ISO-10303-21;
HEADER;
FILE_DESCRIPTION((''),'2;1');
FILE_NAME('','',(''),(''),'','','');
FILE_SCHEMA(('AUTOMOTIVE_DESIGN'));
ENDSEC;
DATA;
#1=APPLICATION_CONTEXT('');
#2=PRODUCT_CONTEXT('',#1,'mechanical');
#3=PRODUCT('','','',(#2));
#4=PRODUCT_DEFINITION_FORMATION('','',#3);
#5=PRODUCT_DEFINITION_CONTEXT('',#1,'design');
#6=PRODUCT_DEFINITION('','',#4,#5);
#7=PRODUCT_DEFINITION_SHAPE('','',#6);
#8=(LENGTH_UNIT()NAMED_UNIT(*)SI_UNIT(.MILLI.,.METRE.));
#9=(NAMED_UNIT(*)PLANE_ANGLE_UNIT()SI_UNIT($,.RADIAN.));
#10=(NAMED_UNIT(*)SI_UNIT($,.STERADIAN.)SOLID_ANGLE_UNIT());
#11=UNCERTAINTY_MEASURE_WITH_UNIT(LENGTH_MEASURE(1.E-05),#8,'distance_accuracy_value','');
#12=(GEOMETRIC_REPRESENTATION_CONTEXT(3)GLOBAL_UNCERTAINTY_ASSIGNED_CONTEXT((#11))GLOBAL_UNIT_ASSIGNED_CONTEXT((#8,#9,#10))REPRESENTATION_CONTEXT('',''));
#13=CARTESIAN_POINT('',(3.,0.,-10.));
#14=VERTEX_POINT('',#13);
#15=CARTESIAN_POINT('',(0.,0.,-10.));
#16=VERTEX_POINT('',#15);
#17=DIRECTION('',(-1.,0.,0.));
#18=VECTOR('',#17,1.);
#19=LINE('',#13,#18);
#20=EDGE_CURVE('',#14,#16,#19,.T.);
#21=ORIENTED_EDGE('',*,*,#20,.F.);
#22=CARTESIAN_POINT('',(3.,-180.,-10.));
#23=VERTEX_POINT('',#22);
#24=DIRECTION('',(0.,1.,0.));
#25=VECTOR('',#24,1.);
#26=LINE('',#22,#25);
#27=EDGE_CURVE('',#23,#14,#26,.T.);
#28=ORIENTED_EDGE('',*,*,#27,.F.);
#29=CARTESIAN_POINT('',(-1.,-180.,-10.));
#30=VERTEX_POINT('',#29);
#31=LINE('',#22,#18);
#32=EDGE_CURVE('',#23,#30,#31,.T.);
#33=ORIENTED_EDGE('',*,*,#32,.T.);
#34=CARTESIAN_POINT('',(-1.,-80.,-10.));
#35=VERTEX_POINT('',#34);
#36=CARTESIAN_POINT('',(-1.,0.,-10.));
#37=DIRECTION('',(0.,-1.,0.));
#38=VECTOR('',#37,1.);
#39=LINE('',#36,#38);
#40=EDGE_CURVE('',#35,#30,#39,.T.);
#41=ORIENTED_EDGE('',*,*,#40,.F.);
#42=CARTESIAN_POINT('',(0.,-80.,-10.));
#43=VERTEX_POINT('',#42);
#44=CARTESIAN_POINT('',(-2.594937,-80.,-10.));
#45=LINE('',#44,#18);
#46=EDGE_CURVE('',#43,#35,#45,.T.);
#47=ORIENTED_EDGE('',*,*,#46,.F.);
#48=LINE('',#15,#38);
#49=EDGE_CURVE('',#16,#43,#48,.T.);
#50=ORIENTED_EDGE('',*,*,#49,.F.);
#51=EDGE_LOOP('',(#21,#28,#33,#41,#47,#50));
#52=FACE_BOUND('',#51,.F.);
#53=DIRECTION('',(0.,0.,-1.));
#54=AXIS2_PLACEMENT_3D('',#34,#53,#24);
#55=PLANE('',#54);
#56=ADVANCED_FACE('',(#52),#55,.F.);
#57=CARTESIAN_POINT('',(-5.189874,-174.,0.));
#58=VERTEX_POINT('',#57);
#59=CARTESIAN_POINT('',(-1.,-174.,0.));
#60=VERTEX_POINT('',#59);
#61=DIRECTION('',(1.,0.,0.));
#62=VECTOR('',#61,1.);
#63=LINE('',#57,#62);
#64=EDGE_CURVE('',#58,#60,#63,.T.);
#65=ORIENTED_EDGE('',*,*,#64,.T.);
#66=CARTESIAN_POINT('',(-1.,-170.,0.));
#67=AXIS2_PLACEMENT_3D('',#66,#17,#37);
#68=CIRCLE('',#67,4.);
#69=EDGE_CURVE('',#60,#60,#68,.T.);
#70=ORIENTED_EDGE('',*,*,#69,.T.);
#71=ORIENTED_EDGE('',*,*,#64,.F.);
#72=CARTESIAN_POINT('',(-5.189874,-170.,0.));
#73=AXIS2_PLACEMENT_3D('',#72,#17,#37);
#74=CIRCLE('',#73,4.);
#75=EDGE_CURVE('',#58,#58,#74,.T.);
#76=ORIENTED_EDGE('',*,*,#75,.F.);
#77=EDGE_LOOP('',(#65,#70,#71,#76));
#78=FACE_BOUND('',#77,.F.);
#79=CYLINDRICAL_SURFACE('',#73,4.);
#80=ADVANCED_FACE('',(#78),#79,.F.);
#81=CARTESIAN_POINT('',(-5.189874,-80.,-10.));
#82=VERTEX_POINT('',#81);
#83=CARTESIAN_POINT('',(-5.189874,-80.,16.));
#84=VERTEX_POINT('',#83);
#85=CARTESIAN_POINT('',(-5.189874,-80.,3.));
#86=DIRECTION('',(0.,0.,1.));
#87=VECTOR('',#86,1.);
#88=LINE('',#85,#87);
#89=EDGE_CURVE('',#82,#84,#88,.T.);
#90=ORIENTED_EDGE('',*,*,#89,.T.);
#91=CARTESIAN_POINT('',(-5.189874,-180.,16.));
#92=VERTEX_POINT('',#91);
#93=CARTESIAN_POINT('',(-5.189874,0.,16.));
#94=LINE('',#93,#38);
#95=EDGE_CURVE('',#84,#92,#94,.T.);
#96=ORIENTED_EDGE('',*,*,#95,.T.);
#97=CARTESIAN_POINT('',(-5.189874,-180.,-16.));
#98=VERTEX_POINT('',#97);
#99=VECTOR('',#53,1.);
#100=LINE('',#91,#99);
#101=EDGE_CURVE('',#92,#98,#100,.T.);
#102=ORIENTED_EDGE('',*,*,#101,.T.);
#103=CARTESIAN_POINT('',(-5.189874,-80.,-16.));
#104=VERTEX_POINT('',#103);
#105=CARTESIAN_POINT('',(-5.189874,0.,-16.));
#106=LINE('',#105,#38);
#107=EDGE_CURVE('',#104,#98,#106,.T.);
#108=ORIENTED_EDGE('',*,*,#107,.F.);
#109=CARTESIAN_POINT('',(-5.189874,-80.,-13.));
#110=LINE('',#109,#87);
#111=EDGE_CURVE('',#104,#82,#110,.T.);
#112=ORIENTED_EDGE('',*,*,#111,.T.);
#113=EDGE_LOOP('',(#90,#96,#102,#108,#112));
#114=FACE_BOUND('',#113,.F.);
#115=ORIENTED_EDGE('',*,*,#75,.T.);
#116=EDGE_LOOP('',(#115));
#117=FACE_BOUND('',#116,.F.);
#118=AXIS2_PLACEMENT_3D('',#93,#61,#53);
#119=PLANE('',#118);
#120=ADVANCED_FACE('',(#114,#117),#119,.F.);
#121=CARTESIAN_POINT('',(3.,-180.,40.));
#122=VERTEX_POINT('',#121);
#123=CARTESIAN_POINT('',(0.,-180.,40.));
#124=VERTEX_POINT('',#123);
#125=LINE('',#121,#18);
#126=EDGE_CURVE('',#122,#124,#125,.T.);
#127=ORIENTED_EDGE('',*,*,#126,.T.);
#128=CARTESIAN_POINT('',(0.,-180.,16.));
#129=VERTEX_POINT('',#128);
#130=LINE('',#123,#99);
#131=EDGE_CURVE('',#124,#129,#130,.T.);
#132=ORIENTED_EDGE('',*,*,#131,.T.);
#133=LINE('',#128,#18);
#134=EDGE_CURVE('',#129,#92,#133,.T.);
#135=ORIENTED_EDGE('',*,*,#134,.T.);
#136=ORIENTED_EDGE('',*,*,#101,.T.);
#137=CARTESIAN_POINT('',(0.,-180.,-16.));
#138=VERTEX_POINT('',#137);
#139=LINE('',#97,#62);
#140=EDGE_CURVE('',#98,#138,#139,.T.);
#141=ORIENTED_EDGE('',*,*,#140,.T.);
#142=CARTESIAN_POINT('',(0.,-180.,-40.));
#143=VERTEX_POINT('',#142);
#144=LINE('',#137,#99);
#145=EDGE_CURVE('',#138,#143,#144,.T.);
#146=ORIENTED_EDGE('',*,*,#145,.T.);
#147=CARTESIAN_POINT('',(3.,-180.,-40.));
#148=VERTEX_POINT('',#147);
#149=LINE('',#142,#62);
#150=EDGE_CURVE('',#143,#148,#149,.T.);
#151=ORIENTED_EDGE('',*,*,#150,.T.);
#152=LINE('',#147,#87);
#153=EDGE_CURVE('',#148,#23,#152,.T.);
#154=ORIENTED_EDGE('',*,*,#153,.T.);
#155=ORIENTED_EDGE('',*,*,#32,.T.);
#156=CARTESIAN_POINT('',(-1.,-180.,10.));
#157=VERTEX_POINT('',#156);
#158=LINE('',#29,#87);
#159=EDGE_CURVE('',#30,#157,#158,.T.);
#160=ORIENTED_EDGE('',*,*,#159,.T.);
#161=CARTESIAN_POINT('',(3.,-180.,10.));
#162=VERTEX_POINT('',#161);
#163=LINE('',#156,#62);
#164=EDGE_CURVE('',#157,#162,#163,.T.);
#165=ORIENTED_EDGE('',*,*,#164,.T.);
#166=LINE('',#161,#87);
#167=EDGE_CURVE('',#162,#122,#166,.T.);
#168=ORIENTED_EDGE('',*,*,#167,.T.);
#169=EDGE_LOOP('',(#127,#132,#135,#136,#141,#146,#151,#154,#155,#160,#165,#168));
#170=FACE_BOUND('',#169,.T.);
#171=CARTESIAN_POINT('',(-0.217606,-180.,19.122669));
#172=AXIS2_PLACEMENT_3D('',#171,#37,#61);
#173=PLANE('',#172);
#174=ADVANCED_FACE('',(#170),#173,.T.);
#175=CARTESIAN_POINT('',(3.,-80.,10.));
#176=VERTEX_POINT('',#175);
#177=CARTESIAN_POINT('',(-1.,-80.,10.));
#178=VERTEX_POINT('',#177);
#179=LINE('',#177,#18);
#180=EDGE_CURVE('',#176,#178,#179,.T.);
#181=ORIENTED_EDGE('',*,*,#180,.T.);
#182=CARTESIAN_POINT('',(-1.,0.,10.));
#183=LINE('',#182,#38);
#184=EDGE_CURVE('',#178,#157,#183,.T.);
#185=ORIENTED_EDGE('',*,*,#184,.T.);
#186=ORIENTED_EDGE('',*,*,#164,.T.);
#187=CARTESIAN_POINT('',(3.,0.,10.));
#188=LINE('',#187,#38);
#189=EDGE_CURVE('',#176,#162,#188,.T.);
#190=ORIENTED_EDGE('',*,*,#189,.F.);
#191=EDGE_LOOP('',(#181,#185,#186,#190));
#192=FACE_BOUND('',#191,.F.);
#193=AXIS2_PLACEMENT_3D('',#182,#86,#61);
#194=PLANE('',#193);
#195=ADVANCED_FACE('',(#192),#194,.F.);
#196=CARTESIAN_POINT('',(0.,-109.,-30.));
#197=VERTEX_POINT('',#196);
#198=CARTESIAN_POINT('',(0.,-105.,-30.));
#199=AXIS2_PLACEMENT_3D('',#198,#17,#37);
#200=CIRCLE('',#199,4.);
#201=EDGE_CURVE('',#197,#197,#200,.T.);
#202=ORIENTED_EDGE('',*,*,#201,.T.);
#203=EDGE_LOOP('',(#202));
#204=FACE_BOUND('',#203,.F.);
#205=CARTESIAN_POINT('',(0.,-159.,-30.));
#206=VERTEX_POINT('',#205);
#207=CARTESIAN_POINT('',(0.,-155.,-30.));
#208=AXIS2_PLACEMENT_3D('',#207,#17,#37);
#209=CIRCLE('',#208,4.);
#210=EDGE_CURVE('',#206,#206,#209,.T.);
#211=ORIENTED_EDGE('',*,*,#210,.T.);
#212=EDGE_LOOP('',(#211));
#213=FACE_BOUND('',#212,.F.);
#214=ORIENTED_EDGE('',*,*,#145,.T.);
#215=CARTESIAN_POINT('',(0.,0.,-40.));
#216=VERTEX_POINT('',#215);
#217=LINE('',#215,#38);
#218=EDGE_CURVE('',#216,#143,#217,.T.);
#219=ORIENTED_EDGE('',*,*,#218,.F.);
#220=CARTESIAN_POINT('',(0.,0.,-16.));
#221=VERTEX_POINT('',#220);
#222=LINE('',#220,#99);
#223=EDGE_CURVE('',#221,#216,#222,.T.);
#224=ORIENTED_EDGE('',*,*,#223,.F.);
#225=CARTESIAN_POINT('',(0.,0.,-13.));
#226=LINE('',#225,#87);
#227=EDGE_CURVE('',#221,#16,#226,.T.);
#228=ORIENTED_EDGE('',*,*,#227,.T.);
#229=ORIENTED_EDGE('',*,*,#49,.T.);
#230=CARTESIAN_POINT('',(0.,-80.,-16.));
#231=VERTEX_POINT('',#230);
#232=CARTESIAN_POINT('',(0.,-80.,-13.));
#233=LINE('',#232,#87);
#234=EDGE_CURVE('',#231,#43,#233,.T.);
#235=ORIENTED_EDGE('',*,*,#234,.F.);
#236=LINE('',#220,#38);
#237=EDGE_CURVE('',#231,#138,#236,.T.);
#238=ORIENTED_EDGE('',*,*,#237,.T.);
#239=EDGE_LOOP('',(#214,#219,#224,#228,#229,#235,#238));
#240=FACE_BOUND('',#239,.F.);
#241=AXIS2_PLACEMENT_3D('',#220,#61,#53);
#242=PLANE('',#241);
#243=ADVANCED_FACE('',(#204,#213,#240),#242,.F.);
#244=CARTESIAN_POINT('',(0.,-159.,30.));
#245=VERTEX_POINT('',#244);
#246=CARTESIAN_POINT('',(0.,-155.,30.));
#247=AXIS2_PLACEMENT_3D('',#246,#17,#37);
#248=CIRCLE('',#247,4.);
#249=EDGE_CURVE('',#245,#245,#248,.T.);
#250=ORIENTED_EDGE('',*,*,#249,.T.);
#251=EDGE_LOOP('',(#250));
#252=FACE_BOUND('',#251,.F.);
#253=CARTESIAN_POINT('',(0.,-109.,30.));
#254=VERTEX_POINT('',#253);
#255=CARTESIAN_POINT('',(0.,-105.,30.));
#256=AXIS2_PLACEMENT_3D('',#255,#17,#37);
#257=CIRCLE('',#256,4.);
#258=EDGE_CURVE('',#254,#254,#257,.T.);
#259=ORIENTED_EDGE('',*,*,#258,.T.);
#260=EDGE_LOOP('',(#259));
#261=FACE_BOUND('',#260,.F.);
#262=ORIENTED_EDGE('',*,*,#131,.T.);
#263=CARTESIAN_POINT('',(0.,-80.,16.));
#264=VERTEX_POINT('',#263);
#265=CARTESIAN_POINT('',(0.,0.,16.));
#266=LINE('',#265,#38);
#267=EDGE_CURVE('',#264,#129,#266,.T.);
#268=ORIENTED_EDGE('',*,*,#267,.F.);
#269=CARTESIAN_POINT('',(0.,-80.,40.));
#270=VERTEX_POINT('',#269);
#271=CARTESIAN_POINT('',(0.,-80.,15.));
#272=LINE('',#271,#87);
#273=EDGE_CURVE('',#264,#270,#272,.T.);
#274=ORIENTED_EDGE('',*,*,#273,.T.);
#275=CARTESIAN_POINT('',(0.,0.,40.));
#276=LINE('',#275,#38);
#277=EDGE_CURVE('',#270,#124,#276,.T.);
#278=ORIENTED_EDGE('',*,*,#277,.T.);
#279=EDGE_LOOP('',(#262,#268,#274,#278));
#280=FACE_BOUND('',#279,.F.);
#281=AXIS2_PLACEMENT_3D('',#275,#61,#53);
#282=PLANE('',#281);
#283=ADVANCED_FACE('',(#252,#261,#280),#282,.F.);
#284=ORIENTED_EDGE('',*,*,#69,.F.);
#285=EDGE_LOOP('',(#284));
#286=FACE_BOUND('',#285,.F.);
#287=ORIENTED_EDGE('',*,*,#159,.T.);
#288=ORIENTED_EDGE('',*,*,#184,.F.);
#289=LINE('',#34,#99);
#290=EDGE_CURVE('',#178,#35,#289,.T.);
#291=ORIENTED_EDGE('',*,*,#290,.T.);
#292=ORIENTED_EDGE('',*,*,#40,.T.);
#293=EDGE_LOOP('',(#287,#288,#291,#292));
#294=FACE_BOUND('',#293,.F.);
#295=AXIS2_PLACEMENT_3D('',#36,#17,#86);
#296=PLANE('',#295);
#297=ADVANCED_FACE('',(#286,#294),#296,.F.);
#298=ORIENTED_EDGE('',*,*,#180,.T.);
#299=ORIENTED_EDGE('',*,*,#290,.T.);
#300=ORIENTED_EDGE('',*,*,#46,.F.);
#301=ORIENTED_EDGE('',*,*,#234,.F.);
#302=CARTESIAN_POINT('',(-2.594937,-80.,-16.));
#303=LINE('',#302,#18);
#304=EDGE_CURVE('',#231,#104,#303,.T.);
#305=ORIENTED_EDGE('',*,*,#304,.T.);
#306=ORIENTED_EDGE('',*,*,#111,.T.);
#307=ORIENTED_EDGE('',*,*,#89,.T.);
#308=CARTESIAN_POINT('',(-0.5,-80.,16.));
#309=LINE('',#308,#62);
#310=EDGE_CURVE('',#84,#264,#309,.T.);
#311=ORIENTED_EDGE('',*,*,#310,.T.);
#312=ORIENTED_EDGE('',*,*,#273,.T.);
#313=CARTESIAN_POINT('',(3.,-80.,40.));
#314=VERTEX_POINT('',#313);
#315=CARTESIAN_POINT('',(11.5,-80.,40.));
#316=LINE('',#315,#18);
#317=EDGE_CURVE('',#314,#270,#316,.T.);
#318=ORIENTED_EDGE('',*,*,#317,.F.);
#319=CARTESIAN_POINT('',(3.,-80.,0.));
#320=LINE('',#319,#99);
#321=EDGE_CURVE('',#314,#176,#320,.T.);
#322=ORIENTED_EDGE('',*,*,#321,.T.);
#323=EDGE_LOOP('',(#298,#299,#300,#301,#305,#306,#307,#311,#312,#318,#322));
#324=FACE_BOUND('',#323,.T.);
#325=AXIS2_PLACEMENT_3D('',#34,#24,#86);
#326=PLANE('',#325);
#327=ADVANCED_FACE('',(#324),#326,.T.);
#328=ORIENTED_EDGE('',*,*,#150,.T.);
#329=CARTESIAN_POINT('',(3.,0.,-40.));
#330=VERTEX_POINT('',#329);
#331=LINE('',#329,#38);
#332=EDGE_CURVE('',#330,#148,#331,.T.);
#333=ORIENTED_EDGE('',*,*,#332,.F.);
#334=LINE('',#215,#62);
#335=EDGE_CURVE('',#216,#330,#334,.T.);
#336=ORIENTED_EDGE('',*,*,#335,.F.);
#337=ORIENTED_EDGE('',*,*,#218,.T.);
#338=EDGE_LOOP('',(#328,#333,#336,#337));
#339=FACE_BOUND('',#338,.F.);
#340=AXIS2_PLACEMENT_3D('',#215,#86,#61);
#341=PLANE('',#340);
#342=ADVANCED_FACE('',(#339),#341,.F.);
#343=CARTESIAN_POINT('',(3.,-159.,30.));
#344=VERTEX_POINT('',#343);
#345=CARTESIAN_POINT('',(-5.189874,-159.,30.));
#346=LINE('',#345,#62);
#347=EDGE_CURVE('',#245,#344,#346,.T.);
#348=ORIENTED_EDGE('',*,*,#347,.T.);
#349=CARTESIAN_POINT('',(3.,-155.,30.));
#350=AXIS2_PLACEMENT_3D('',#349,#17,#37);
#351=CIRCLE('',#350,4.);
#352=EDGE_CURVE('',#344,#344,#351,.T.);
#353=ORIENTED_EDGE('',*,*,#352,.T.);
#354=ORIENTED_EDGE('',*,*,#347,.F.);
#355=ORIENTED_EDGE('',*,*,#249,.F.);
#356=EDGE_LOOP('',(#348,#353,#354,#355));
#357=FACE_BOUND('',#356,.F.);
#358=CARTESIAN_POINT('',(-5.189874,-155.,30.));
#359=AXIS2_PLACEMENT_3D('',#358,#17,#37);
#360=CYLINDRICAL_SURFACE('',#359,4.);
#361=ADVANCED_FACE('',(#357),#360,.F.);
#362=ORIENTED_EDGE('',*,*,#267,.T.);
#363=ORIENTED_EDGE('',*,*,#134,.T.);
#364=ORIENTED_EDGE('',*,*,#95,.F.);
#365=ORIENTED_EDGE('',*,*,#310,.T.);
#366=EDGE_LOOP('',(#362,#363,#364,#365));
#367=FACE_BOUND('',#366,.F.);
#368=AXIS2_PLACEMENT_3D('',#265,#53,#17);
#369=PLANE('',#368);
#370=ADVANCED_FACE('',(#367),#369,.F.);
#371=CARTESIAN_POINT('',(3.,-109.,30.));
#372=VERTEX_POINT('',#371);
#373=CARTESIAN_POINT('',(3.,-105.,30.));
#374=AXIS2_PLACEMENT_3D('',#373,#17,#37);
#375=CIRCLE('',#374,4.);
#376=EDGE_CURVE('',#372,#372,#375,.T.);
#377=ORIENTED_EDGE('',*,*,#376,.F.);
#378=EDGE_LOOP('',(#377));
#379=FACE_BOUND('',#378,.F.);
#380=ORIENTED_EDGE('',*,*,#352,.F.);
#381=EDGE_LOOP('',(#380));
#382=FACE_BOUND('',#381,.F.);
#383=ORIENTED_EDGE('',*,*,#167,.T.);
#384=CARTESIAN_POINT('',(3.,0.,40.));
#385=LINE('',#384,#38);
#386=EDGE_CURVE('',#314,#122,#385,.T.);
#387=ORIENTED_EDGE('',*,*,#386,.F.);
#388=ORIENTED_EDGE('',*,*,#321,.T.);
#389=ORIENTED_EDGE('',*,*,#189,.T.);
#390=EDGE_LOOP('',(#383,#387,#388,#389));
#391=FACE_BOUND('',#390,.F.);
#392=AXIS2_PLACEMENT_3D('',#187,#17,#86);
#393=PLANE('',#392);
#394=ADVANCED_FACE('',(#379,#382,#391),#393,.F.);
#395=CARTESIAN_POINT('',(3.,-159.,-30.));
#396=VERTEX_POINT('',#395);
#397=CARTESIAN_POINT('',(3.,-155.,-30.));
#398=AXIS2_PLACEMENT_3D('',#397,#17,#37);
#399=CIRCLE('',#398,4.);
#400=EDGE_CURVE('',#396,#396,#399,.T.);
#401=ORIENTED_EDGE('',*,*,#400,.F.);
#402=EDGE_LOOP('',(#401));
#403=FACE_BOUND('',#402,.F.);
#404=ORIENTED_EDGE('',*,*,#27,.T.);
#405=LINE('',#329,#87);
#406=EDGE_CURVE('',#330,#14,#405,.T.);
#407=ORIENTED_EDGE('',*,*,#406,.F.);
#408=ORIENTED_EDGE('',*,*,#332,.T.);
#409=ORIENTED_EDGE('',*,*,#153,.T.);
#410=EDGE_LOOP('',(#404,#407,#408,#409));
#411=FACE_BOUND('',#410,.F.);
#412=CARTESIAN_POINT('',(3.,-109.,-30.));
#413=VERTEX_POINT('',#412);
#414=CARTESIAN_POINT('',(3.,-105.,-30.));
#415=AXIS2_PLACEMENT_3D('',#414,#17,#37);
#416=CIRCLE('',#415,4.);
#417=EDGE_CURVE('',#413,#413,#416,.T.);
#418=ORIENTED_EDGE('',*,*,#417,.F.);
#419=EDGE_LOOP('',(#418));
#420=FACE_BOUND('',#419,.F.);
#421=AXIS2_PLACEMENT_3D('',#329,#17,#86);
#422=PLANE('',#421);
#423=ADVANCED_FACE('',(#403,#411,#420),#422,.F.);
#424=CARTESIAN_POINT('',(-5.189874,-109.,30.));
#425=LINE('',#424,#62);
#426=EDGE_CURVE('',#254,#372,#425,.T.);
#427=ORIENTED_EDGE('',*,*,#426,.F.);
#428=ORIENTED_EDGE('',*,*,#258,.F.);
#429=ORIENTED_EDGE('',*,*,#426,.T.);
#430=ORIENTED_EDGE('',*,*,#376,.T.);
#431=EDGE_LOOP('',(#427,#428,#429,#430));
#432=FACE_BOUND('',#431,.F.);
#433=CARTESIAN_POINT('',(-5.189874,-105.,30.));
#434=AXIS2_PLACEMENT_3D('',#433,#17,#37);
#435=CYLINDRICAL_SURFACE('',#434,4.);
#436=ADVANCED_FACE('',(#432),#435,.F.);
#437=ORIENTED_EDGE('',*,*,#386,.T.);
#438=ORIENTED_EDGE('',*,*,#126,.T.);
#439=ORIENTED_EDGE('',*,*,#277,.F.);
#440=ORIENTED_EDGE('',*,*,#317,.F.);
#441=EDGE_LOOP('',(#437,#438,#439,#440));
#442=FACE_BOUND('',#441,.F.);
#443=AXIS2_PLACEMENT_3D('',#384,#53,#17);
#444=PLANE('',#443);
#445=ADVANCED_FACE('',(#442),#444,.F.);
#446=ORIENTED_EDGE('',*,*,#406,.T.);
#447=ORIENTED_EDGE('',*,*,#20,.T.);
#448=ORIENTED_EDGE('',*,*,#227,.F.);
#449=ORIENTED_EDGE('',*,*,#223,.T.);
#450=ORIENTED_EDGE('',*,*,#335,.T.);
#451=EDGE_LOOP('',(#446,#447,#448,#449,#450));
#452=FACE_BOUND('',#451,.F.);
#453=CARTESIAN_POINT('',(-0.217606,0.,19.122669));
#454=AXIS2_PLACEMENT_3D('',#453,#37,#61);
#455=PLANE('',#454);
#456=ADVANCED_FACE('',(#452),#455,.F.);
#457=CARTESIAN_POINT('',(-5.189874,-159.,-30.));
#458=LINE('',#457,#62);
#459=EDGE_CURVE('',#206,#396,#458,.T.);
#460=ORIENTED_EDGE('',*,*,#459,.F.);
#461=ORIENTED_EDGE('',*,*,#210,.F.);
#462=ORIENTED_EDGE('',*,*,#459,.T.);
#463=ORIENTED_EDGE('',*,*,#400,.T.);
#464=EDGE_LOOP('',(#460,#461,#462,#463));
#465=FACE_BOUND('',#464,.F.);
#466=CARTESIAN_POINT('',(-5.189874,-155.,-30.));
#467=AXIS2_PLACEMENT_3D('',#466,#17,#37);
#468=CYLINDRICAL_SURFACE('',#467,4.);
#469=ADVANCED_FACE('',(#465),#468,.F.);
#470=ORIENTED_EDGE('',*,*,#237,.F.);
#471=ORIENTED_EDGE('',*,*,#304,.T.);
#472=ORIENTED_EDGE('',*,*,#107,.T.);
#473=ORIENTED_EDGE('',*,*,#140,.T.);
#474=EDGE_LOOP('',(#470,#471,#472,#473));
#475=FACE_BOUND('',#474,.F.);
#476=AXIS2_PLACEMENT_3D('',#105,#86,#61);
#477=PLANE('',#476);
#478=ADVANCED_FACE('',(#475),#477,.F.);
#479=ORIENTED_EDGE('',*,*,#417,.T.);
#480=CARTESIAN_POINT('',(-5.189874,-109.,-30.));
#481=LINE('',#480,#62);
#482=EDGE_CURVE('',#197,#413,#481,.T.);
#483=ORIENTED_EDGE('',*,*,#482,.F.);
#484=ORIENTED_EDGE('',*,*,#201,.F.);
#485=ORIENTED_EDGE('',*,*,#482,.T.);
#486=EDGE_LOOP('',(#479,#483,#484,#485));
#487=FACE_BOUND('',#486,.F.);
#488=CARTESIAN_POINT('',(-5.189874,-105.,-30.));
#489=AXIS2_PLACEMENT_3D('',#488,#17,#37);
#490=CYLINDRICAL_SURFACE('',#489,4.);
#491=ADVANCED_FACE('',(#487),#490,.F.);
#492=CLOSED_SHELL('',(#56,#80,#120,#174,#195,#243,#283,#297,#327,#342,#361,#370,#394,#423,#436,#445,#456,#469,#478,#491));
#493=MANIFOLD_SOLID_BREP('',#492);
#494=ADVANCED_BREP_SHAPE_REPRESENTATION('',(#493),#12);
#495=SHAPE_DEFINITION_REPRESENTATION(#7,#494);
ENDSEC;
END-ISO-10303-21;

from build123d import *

# Parameters (mm, degrees)
F1_DEPTH = 180
F2_R     = 4
F3_DEPTH = 25
F4_W     = 80
F4_H     = 50
F5_DEPTH = 12.5
F6_W     = 5.1898740767
F6_H     = 6
F7_DEPTH = 80


with BuildPart() as f1:
    # F0 (on Front) → F1 (new body)
    with BuildSketch(Plane.XZ):
        Polygon((3, 40), (0, 40), (0, 16), (-5.1898740767, 16), (-5.1898740767, 0), (-1, 0), (-1, 10), (3, 10), align=None)
        Polygon((-1, 0), (-5.1898740767, 0), (-5.1898740767, -16), (0, -16), (0, -40), (3, -40), (3, -10), (-1, -10), align=None)
    extrude(amount=F1_DEPTH)

    # F2 (on face) → F3 (cut)
    with BuildSketch(Plane(origin=(-5.1898740767, 0, 0), x_dir=(0, -1, 0), z_dir=(-1, 0, 0))):
        with Locations((170, 0)):
            Circle(F2_R)
        with Locations((155, 30)):
            Circle(F2_R)
        with Locations((105, 30)):
            Circle(F2_R)
        with Locations((155, -30)):
            Circle(F2_R)
        with Locations((105, -30)):
            Circle(F2_R)
    extrude(amount=-F3_DEPTH, mode=Mode.SUBTRACT)

    # F4 (on face) → F5 (cut, symmetric)
    with BuildSketch(Plane.YZ.offset(-1)):
        with Locations((-40, 15)):
            Rectangle(F4_W, F4_H)
    extrude(amount=F5_DEPTH, both=True, mode=Mode.SUBTRACT)

    # F6 (on face) → F7 (cut)
    with BuildSketch(Plane(origin=(0, 0, 0), x_dir=(-1, 0, 0), z_dir=(0, 1, 0))):
        with Locations((2.5949370383, -13)):
            Rectangle(F6_W, F6_H)
    extrude(amount=-F7_DEPTH, mode=Mode.SUBTRACT)


solid = f1.part
